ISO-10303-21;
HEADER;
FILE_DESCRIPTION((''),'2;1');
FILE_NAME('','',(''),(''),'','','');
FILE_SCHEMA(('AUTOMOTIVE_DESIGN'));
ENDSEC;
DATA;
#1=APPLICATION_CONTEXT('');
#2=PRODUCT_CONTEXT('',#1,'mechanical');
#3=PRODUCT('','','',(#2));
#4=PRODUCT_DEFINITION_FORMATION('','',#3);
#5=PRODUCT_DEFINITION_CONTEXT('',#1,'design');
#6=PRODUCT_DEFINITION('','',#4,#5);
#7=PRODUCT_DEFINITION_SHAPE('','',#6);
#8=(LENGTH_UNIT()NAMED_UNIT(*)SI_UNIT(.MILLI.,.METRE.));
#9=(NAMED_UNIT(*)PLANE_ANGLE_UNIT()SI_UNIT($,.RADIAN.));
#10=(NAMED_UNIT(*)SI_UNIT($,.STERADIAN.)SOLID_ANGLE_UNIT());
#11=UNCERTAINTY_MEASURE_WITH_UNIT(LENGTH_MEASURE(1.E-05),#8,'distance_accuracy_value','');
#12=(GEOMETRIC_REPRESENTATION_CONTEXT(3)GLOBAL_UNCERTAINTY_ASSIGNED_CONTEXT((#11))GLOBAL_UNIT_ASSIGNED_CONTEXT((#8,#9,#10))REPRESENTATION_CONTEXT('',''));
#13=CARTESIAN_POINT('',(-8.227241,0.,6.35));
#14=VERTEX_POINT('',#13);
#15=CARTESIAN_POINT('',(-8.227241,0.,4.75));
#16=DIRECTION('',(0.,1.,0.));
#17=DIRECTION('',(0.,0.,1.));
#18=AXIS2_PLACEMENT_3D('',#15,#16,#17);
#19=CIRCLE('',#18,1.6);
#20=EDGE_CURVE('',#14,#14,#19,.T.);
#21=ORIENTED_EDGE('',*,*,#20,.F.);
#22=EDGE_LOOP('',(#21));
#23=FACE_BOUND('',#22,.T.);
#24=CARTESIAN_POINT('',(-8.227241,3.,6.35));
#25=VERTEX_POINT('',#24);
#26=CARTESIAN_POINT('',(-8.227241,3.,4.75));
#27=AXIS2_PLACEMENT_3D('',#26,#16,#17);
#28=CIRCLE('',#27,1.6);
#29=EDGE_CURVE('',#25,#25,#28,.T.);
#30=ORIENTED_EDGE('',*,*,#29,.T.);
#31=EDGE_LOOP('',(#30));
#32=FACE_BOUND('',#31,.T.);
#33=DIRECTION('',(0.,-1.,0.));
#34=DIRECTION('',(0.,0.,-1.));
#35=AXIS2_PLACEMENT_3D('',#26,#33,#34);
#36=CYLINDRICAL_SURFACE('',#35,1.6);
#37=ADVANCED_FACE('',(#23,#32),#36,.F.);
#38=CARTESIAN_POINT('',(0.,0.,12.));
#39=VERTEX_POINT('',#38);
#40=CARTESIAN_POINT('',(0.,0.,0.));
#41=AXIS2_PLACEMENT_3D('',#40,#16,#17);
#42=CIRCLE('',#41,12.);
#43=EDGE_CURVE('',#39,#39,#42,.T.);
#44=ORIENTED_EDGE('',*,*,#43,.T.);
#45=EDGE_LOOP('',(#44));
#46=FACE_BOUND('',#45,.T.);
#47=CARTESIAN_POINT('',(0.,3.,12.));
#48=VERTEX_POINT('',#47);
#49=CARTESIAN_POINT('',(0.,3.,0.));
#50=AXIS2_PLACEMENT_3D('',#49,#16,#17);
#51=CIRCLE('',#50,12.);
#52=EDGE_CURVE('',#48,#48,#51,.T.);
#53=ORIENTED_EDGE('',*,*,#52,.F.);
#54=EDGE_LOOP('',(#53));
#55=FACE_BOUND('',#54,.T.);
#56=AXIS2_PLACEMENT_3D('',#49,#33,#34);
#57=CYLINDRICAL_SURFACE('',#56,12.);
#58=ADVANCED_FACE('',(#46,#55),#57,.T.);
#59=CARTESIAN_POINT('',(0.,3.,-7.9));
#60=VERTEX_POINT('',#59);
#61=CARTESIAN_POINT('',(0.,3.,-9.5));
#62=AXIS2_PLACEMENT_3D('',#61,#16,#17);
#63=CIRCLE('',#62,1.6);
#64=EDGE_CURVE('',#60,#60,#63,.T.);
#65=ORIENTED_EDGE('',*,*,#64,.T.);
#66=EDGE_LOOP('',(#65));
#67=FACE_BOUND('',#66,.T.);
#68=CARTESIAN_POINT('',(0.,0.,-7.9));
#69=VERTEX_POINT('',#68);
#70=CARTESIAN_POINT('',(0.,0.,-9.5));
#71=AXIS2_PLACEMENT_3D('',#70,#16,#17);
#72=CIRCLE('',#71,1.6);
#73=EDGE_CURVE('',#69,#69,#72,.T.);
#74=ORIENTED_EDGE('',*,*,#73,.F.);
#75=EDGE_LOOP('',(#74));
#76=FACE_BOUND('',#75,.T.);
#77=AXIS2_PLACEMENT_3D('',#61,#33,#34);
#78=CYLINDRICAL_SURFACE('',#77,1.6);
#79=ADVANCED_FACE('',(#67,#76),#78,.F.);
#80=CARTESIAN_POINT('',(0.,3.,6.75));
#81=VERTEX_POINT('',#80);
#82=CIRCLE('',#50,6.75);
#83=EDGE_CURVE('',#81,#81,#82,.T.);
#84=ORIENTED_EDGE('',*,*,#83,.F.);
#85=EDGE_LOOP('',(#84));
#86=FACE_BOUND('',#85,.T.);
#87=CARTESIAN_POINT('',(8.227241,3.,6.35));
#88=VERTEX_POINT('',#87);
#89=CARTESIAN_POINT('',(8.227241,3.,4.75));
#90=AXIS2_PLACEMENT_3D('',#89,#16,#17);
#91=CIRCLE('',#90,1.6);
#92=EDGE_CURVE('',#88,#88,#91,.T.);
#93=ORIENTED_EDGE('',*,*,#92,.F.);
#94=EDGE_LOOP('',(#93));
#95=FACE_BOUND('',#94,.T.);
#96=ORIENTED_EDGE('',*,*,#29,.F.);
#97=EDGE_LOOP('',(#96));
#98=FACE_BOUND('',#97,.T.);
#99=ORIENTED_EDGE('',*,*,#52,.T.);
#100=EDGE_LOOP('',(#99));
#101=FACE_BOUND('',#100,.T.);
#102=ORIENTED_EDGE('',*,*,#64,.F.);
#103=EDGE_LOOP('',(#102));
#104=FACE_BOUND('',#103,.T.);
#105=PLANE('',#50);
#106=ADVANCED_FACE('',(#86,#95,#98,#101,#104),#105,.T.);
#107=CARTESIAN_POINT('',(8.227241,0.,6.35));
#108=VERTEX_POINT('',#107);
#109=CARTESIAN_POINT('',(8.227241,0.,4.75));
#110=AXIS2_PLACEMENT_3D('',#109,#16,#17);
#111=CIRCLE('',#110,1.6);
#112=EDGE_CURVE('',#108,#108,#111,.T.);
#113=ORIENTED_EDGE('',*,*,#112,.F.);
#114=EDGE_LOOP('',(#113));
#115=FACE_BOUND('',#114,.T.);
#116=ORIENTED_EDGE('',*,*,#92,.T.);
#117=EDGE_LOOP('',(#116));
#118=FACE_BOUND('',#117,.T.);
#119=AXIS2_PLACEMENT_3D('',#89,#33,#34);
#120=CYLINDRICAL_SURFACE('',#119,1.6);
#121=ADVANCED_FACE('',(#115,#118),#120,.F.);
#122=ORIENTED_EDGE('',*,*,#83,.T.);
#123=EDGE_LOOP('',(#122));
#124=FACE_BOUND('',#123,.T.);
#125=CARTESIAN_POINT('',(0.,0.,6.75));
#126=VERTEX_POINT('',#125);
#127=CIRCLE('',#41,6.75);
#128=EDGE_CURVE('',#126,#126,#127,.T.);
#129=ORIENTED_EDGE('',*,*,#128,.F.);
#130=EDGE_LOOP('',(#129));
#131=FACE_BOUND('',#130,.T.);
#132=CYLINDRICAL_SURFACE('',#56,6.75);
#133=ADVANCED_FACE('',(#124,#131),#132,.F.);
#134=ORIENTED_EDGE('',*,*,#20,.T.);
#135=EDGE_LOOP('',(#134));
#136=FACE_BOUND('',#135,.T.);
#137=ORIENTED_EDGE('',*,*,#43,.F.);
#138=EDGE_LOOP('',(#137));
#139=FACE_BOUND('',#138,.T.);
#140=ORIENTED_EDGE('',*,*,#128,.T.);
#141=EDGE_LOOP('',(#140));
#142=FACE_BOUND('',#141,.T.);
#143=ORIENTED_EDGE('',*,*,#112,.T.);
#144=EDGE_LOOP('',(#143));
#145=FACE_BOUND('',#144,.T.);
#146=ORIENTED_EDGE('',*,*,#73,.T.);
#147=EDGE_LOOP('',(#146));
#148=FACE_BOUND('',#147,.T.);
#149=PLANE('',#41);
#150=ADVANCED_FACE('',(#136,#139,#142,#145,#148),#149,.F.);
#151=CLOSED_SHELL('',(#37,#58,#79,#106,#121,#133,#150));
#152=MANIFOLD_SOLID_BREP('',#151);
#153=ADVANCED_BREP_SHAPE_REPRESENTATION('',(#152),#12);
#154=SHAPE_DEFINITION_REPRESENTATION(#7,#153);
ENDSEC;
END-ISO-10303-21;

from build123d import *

# Parameters (mm, degrees)
SKETCH_1_R      = 12
SKETCH_1_R_2    = 1.6
SKETCH_1_R_3    = 6.75
EXTRUDE_1_DEPTH = 3


with BuildPart() as part:
    # 草图1 → 凸台-拉伸1 (new body)
    with BuildSketch(Plane(origin=(0, 0, 0), x_dir=(1, 0, 0), z_dir=(0, 1, 0))):
        with Locations(Location((0, 0, 0), (0, 0, 270))):
            Circle(SKETCH_1_R)
        with Locations(Location((0, 9.5, 0), (0, 0, 270))):
            Circle(SKETCH_1_R_2, mode=Mode.SUBTRACT)
        with Locations(Location((8.227241336, -4.75, 0), (0, 0, 270))):
            Circle(SKETCH_1_R_2, mode=Mode.SUBTRACT)
        with Locations(Location((-8.227241336, -4.75, 0), (0, 0, 270))):
            Circle(SKETCH_1_R_2, mode=Mode.SUBTRACT)
        with Locations(Location((0, 0, 0), (0, 0, 270))):
            Circle(SKETCH_1_R_3, mode=Mode.SUBTRACT)
    extrude(amount=EXTRUDE_1_DEPTH)


solid = part.part
